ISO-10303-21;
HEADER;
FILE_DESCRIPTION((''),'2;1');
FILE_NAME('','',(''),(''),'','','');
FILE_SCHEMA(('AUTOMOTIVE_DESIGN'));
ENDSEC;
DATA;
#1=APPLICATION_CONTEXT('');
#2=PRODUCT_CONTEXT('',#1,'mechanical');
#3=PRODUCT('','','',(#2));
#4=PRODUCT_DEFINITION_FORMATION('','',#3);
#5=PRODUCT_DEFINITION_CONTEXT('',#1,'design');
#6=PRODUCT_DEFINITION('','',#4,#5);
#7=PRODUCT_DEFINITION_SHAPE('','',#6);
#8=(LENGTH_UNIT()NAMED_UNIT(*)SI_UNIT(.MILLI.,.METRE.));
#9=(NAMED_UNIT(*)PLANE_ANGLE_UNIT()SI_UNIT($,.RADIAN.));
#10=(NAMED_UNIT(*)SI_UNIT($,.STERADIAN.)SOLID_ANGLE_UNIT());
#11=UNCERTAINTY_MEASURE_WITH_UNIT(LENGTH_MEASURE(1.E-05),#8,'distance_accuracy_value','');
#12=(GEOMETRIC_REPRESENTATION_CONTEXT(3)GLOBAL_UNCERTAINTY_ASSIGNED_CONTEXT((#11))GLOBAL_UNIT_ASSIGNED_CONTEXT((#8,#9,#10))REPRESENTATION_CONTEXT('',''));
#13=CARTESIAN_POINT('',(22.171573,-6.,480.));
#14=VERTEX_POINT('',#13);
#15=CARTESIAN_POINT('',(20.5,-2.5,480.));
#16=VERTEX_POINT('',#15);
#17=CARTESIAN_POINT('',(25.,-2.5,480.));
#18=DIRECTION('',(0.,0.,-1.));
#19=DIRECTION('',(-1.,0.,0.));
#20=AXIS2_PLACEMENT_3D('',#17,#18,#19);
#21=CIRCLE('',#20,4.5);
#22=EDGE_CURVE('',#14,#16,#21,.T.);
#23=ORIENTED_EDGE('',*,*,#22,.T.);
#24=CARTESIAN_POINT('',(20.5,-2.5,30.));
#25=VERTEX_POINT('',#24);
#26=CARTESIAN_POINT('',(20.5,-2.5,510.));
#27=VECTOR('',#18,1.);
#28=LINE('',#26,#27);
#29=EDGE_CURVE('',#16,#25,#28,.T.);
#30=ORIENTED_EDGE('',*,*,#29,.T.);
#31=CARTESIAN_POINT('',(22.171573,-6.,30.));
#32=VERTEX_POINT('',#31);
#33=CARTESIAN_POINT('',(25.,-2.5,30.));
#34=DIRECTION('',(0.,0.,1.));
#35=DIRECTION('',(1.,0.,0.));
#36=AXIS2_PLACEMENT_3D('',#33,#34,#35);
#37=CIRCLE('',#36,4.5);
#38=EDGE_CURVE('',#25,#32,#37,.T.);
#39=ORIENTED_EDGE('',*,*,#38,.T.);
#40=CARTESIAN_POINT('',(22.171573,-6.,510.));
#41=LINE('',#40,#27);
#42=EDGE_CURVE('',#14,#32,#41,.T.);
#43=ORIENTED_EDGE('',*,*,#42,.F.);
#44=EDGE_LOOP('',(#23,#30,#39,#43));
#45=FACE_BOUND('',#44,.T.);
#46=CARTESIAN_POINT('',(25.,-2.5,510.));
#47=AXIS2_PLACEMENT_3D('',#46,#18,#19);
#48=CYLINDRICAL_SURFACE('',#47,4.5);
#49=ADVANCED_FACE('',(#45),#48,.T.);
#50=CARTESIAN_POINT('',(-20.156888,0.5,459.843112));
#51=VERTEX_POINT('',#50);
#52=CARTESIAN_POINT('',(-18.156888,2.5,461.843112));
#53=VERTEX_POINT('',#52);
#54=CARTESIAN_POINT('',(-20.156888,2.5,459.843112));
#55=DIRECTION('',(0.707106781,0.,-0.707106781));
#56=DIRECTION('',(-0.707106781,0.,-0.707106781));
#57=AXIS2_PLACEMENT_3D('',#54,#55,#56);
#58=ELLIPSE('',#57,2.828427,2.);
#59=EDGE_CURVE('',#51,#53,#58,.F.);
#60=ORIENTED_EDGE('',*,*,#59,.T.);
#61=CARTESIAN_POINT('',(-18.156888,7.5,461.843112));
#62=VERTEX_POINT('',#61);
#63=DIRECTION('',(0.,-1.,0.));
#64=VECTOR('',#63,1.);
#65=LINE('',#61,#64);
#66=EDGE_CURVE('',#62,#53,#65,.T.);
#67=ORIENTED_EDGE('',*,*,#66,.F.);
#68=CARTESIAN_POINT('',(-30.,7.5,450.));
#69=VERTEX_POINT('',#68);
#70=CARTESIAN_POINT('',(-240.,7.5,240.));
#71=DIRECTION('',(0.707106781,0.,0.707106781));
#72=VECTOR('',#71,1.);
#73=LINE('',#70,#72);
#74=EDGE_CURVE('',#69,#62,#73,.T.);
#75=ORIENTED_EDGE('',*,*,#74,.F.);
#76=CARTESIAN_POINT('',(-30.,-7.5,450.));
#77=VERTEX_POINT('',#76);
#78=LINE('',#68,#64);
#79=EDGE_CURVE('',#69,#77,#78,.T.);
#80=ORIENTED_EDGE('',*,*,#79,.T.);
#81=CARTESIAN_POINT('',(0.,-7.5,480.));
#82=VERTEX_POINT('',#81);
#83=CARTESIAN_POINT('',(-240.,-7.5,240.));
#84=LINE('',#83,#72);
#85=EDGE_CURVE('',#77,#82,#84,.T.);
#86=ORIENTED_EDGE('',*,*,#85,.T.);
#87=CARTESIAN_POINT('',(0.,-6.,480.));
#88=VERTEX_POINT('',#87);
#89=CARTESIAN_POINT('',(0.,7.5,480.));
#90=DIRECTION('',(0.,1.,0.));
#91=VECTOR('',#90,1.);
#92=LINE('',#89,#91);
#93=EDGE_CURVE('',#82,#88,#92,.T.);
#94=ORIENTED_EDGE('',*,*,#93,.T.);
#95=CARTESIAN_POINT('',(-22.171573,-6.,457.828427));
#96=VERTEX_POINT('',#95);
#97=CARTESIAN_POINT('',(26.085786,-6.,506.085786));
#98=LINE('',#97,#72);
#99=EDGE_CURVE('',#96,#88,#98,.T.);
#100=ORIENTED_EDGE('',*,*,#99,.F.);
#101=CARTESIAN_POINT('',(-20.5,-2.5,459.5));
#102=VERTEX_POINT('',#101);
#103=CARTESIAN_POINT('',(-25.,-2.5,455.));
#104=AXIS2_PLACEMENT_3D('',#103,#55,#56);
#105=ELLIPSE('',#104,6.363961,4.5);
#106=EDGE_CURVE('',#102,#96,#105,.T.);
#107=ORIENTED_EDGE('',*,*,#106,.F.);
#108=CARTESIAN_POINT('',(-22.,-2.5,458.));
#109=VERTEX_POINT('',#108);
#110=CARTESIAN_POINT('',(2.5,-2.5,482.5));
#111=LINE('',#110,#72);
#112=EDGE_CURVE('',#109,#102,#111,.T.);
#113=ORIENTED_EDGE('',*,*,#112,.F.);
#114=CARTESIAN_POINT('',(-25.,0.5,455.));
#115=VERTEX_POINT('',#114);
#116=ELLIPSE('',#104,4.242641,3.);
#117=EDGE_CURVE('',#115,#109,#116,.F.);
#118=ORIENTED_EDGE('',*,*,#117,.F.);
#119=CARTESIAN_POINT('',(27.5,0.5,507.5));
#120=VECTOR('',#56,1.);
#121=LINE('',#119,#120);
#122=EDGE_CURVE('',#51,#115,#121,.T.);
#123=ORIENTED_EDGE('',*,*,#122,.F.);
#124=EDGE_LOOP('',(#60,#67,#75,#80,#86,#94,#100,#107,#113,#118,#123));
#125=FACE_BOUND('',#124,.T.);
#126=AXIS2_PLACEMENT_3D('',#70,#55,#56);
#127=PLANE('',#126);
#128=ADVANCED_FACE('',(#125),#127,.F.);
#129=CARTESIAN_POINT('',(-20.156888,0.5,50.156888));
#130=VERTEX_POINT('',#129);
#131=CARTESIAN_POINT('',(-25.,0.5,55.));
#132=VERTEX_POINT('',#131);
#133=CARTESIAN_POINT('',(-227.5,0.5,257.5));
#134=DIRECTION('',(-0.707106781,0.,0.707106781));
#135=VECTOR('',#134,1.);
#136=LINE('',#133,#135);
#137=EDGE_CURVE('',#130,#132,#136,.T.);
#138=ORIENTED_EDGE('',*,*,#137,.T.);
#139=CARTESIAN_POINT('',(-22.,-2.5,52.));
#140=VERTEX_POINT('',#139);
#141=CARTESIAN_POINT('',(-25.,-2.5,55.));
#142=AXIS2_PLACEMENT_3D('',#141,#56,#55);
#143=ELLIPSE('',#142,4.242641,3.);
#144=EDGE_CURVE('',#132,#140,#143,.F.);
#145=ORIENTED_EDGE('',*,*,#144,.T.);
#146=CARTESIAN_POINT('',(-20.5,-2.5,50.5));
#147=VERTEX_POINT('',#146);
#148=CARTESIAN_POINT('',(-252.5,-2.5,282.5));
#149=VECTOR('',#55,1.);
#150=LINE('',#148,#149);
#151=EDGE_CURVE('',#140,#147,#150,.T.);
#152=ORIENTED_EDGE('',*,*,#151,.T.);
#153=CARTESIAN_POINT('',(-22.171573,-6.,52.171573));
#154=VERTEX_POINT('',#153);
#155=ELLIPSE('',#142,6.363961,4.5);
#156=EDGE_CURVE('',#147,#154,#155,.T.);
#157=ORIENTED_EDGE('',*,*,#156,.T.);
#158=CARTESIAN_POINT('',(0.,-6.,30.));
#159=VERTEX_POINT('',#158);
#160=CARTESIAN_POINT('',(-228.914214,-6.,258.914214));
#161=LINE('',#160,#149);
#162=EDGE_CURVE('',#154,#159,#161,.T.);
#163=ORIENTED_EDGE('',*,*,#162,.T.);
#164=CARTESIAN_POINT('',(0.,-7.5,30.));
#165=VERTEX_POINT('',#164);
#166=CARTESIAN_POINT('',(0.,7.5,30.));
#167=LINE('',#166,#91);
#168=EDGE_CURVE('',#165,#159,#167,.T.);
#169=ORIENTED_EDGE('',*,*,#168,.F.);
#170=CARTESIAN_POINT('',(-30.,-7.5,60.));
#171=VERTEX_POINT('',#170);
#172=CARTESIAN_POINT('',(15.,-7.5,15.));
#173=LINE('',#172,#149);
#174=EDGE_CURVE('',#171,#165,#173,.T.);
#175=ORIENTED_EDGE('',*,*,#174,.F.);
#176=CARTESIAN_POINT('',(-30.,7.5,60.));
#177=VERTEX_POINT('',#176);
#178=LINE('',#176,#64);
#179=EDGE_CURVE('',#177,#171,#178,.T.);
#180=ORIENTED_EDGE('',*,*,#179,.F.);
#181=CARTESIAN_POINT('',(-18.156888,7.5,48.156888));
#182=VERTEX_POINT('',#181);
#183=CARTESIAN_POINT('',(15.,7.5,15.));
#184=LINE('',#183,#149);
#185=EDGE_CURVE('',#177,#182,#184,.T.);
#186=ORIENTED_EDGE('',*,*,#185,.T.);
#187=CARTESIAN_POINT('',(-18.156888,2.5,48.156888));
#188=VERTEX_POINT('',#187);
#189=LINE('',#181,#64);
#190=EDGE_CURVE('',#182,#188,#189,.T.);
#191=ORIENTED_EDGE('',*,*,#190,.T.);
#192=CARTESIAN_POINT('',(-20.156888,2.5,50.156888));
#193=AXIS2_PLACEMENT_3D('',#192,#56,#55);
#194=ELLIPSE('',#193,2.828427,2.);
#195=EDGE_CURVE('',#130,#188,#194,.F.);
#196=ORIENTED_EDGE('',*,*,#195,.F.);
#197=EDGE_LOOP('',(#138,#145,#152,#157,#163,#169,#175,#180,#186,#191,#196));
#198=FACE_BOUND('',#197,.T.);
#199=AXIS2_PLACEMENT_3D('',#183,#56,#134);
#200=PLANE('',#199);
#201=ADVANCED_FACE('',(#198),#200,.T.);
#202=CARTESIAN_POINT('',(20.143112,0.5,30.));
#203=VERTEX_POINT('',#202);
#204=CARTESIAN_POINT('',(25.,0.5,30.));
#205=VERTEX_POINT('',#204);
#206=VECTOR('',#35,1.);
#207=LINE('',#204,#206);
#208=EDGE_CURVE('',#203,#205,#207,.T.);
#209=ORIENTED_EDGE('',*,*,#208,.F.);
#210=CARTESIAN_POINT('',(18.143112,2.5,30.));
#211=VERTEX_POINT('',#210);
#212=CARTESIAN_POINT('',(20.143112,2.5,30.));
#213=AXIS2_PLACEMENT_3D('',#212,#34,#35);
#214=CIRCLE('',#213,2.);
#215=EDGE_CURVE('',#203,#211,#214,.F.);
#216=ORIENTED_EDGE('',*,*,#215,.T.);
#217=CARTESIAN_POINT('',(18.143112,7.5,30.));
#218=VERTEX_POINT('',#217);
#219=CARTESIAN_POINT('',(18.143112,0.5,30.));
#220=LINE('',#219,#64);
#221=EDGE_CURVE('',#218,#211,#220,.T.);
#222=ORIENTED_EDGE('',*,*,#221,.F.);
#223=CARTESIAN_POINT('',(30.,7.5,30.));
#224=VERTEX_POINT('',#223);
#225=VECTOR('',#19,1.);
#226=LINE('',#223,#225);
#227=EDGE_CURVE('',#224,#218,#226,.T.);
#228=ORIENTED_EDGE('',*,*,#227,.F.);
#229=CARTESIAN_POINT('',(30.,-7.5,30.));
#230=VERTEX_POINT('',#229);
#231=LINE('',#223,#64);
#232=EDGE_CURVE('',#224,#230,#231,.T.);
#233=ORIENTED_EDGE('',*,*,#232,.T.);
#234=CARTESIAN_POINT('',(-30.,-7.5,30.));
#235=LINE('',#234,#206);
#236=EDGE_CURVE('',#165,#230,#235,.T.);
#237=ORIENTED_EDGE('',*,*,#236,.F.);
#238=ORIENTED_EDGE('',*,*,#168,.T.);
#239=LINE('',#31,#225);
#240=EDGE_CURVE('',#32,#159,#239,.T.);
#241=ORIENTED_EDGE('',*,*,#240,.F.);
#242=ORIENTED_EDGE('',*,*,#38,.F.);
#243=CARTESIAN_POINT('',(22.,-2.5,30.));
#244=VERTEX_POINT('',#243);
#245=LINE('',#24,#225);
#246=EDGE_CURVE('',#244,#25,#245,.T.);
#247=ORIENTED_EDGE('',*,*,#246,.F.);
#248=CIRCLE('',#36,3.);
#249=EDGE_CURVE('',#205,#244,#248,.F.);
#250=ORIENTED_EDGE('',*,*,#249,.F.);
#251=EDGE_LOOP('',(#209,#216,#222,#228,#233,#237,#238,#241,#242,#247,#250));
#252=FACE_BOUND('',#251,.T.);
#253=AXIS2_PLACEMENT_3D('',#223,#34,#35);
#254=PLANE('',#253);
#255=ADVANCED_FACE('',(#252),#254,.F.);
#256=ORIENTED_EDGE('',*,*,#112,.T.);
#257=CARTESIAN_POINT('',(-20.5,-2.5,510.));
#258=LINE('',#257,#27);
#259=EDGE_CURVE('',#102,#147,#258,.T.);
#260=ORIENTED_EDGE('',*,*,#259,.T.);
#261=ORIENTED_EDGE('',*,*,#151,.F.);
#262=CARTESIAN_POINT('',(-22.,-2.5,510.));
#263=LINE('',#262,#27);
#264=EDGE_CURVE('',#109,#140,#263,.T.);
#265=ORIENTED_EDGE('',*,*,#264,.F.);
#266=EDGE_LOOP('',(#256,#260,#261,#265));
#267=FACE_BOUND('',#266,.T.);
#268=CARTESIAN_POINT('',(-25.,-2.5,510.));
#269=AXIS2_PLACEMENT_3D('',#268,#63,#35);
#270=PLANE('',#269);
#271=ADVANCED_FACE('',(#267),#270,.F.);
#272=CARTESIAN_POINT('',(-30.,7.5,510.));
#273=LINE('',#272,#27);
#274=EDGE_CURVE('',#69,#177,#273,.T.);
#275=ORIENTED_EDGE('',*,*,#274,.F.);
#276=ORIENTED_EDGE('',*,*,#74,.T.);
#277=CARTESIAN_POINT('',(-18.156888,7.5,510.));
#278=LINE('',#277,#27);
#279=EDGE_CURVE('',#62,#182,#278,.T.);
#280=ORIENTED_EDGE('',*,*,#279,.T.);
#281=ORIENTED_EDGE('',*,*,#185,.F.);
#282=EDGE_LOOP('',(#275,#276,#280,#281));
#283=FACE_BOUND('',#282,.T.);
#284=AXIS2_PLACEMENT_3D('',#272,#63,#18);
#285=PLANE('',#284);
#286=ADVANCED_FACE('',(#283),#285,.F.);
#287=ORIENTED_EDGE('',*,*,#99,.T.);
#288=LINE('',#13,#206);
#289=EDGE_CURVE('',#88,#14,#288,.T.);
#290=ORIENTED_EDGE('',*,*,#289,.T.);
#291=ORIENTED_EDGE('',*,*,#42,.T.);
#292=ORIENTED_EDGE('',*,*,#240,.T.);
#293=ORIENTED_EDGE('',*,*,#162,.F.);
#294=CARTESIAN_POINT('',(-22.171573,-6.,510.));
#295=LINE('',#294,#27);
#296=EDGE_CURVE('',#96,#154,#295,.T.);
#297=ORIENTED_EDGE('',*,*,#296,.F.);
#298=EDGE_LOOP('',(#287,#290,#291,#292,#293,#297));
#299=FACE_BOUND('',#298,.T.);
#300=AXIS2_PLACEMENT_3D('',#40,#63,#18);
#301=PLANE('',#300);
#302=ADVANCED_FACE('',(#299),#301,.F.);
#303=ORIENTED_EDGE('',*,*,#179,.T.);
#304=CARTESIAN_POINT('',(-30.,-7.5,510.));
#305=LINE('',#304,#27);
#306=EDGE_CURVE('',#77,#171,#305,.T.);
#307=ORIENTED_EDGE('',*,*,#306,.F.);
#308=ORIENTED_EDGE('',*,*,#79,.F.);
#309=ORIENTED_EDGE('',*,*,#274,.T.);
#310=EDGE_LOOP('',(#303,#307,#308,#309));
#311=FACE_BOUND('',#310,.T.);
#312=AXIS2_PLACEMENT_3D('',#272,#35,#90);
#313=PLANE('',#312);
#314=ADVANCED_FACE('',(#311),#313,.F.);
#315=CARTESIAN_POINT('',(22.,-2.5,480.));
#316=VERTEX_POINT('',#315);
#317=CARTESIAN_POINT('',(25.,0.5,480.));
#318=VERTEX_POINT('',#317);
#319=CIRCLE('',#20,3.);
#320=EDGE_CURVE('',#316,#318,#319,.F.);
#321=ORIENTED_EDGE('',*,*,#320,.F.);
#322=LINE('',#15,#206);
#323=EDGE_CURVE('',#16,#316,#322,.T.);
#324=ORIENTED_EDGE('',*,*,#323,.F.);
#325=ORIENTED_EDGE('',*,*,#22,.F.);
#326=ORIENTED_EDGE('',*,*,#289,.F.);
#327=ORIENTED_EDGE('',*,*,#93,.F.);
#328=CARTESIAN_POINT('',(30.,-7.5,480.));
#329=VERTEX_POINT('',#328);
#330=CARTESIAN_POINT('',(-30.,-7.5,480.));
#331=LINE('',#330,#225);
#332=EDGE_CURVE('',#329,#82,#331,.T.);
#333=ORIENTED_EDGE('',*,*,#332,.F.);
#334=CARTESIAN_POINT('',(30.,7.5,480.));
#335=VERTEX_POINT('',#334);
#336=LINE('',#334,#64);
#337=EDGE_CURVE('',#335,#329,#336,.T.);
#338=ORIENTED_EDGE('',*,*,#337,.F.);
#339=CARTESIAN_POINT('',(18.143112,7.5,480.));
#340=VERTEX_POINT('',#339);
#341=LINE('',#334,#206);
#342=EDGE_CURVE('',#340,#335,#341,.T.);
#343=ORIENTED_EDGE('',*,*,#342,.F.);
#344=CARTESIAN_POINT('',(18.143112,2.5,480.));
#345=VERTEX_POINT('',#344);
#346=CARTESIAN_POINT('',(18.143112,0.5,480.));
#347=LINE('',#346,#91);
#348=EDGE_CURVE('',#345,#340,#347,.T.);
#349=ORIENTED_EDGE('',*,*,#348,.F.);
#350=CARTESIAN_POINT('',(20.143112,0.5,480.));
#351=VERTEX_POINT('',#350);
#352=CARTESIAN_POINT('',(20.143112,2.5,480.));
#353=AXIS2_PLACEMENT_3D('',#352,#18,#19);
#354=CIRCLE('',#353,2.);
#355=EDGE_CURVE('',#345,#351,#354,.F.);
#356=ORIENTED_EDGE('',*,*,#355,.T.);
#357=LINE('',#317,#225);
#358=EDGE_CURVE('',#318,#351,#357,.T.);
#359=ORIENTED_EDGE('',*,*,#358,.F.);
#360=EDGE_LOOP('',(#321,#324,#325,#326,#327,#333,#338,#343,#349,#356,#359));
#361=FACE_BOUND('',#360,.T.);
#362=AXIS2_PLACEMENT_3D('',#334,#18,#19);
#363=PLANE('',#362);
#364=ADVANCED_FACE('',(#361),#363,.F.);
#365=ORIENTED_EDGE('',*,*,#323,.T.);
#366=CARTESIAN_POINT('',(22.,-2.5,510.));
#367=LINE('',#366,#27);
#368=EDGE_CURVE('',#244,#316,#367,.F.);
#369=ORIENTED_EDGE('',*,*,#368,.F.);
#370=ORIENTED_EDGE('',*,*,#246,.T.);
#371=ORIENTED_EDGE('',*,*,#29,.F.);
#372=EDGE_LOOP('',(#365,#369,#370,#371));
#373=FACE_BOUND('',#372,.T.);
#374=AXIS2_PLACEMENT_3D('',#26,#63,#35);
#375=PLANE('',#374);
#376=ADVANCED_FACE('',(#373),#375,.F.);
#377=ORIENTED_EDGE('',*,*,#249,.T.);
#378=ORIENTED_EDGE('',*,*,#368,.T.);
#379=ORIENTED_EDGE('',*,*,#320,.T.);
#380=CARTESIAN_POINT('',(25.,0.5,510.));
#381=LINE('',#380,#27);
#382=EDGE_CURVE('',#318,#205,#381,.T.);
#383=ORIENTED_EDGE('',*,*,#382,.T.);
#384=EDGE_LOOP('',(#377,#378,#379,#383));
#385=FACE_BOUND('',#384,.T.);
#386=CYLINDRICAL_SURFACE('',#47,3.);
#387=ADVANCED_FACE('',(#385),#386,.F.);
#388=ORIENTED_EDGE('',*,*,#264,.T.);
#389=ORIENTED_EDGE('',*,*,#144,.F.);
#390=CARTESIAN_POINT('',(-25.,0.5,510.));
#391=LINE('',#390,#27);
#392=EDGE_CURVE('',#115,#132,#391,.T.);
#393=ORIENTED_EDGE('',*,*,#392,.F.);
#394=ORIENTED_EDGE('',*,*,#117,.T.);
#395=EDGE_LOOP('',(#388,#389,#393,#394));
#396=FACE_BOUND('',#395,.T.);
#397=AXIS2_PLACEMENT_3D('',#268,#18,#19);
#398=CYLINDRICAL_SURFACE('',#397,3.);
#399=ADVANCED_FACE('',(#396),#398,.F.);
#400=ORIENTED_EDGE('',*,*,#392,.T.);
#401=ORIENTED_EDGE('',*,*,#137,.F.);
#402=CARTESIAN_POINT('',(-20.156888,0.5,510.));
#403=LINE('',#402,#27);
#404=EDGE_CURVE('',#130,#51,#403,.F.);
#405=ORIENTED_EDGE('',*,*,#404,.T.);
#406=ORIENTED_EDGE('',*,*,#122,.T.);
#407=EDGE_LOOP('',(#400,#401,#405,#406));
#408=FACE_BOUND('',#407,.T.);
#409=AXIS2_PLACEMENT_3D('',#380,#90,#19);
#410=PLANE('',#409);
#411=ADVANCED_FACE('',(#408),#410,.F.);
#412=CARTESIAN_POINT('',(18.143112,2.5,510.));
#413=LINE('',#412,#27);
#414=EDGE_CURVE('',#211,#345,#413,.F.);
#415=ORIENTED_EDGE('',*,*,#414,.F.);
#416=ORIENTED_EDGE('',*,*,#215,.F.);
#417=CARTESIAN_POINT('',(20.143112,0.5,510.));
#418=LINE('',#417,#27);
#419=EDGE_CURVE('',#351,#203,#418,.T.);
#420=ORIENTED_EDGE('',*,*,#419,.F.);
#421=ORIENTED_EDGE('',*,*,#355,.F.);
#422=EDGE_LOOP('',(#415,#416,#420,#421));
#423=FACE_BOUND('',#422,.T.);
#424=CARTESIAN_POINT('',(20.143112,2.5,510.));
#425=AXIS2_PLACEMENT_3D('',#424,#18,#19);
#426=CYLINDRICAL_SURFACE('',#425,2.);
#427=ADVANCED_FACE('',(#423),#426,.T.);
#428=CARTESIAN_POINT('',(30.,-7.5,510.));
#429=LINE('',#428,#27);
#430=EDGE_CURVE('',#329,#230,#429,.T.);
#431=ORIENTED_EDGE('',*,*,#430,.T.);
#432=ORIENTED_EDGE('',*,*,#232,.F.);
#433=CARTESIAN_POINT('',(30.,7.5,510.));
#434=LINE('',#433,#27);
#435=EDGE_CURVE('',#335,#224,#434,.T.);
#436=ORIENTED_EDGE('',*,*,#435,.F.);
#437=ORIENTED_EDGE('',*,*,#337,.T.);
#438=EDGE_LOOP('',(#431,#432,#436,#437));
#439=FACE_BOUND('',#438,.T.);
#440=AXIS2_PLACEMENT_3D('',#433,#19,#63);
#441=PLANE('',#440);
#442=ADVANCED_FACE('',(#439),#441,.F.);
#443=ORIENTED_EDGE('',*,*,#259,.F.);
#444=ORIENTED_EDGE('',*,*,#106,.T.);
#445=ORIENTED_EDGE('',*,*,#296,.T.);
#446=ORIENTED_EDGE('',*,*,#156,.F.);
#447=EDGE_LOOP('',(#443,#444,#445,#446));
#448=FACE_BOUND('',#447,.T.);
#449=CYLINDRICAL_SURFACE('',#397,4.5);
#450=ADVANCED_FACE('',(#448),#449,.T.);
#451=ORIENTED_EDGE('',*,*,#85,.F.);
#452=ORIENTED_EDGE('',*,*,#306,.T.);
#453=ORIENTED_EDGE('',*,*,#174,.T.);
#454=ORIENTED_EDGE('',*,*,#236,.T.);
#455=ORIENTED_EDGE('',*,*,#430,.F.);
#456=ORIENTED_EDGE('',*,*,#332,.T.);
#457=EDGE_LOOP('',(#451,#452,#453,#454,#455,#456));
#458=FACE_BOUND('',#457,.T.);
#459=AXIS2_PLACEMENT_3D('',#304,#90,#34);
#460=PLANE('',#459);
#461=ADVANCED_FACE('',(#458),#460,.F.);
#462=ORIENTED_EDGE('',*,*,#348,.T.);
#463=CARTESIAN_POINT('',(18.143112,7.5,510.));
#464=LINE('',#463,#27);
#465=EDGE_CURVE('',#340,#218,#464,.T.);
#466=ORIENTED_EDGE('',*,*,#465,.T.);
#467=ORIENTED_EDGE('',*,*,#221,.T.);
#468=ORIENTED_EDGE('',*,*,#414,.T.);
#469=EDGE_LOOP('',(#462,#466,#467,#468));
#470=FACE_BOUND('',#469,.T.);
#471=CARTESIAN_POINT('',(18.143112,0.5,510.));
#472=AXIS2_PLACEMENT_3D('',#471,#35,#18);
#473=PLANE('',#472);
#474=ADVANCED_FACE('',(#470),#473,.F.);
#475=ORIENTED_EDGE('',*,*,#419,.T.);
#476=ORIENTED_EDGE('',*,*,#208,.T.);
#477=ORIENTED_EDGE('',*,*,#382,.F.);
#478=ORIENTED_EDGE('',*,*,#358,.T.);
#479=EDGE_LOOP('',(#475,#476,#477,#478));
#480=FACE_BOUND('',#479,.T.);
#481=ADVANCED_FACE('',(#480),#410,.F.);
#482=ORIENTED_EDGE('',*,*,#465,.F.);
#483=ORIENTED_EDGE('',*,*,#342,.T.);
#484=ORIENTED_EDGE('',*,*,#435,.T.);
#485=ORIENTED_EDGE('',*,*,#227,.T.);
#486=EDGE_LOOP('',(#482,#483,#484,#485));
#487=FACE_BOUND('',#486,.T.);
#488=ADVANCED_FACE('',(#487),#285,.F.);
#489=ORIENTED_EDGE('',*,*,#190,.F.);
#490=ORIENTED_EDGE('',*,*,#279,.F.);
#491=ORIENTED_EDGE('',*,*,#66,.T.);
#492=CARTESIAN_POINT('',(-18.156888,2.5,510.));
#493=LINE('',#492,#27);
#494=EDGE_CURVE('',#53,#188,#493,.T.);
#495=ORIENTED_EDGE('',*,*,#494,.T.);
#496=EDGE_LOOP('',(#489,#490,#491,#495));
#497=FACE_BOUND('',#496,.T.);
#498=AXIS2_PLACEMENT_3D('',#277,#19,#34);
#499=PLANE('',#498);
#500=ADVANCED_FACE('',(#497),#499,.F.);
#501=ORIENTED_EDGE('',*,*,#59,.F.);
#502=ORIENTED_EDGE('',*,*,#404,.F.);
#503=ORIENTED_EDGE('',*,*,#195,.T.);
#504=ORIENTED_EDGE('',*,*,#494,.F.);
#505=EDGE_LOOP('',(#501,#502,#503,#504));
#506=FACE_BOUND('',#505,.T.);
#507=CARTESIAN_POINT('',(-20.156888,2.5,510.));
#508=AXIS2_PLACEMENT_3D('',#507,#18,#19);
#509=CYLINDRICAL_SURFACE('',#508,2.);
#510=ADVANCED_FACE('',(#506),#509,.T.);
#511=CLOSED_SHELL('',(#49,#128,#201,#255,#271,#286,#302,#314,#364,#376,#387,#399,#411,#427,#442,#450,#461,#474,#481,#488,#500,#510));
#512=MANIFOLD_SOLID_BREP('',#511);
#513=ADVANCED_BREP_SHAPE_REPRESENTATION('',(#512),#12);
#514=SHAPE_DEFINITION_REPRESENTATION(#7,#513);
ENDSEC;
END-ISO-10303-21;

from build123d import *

# Parameters (mm, degrees)
SKETCH_1_W               = 60
SKETCH_1_H               = 15
EXTRUDE_1_DEPTH          = 510
SKETCH_2_R               = 3
CUT_EXTRUDE_1_DEPTH      = 511.936639908
CUT_EXTRUDE_2_DEPTH      = 511.936639908
SKETCH_4_W               = 36.3
SKETCH_4_H               = 7
CUT_EXTRUDE_3_DEPTH      = 511.936639908
FILLET_1_R               = 2
CUT_EXTRUDE_4_DEPTH      = 512.101751122
CUT_EXTRUDE_6_DEPTH      = 512.101751122
CUT_EXTRUDE_6_DEPTH_BACK = 512.101751122
SKETCH_7_W               = 30
SKETCH_7_H               = 30


with BuildPart() as part:
    # 스케치1 → 보스-돌출1 (new body)
    with BuildSketch(Plane.XY):
        Rectangle(SKETCH_1_W, SKETCH_1_H)
    extrude(amount=EXTRUDE_1_DEPTH)

    # 스케치2 → 컷-돌출1 (cut, through all)
    with BuildSketch(Plane(origin=(0, 0, 0), x_dir=(-1, 0, 0), z_dir=(0, 0, -1))):
        with Locations((-25, -2.5)):
            Circle(SKETCH_2_R)
        with Locations((25, -2.5)):
            Circle(SKETCH_2_R)
    extrude(amount=-CUT_EXTRUDE_1_DEPTH, mode=Mode.SUBTRACT)

    # 스케치3 → 컷-돌출2 (cut, through all)
    with BuildSketch(Plane(origin=(0, 0, 0), x_dir=(-1, 0, 0), z_dir=(0, 0, -1))):
        with BuildLine():
            Line((-22.171572875, -6), (22.171572875, -6))
            ThreePointArc((22.171572875, -6), (20.939339828, -4.439339828), (20.5, -2.5))
            Line((20.5, -2.5), (25, -2.5))
            Line((25, -2.5), (25, 0.5))
            Line((25, 0.5), (-25, 0.5))
            Line((-25, 0.5), (-25, -2.5))
            Line((-25, -2.5), (-20.5, -2.5))
            ThreePointArc((-20.5, -2.5), (-20.939339828, -4.439339828), (-22.171572875, -6))
        make_face()
    extrude(amount=-CUT_EXTRUDE_2_DEPTH, mode=Mode.SUBTRACT)

    # 스케치4 → 컷-돌출3 (cut, through all)
    with BuildSketch(Plane(origin=(0, 0, 0), x_dir=(-1, 0, 0), z_dir=(0, 0, -1))):
        with Locations((0.006888359, 4)):
            Rectangle(SKETCH_4_W, SKETCH_4_H)
    extrude(amount=-CUT_EXTRUDE_3_DEPTH, mode=Mode.SUBTRACT)

    # 필렛1
    fillet_1_edges = [part.edges().sort_by_distance(p)[0] for p in [
        (-18.156888359, 0.5, 255),
        (18.143111641, 0.5, 255),
    ]]
    fillet(fillet_1_edges, radius=FILLET_1_R)

    # 스케치5 → 컷-돌출4 (cut, through all)
    with BuildSketch(Plane.XZ.offset(7.5)):
        Polygon((-30, 510), (-30, 450), (30, 510), align=None)
        Polygon((-30, 0), (30, 0), (-30, 60), align=None)
    extrude(amount=-CUT_EXTRUDE_4_DEPTH, mode=Mode.SUBTRACT)

    # 스케치7 → 컷-돌출6 (cut, two sides: drawn at the far end of the back side and taken through both)
    with BuildSketch(Plane.XZ.offset(7.5).offset(-CUT_EXTRUDE_6_DEPTH_BACK)):
        with Locations((15, 15)):
            Rectangle(SKETCH_7_W, SKETCH_7_H)
        with Locations((15, 495)):
            Rectangle(SKETCH_7_W, SKETCH_7_H)
    extrude(amount=CUT_EXTRUDE_6_DEPTH + CUT_EXTRUDE_6_DEPTH_BACK, mode=Mode.SUBTRACT)


solid = part.part
